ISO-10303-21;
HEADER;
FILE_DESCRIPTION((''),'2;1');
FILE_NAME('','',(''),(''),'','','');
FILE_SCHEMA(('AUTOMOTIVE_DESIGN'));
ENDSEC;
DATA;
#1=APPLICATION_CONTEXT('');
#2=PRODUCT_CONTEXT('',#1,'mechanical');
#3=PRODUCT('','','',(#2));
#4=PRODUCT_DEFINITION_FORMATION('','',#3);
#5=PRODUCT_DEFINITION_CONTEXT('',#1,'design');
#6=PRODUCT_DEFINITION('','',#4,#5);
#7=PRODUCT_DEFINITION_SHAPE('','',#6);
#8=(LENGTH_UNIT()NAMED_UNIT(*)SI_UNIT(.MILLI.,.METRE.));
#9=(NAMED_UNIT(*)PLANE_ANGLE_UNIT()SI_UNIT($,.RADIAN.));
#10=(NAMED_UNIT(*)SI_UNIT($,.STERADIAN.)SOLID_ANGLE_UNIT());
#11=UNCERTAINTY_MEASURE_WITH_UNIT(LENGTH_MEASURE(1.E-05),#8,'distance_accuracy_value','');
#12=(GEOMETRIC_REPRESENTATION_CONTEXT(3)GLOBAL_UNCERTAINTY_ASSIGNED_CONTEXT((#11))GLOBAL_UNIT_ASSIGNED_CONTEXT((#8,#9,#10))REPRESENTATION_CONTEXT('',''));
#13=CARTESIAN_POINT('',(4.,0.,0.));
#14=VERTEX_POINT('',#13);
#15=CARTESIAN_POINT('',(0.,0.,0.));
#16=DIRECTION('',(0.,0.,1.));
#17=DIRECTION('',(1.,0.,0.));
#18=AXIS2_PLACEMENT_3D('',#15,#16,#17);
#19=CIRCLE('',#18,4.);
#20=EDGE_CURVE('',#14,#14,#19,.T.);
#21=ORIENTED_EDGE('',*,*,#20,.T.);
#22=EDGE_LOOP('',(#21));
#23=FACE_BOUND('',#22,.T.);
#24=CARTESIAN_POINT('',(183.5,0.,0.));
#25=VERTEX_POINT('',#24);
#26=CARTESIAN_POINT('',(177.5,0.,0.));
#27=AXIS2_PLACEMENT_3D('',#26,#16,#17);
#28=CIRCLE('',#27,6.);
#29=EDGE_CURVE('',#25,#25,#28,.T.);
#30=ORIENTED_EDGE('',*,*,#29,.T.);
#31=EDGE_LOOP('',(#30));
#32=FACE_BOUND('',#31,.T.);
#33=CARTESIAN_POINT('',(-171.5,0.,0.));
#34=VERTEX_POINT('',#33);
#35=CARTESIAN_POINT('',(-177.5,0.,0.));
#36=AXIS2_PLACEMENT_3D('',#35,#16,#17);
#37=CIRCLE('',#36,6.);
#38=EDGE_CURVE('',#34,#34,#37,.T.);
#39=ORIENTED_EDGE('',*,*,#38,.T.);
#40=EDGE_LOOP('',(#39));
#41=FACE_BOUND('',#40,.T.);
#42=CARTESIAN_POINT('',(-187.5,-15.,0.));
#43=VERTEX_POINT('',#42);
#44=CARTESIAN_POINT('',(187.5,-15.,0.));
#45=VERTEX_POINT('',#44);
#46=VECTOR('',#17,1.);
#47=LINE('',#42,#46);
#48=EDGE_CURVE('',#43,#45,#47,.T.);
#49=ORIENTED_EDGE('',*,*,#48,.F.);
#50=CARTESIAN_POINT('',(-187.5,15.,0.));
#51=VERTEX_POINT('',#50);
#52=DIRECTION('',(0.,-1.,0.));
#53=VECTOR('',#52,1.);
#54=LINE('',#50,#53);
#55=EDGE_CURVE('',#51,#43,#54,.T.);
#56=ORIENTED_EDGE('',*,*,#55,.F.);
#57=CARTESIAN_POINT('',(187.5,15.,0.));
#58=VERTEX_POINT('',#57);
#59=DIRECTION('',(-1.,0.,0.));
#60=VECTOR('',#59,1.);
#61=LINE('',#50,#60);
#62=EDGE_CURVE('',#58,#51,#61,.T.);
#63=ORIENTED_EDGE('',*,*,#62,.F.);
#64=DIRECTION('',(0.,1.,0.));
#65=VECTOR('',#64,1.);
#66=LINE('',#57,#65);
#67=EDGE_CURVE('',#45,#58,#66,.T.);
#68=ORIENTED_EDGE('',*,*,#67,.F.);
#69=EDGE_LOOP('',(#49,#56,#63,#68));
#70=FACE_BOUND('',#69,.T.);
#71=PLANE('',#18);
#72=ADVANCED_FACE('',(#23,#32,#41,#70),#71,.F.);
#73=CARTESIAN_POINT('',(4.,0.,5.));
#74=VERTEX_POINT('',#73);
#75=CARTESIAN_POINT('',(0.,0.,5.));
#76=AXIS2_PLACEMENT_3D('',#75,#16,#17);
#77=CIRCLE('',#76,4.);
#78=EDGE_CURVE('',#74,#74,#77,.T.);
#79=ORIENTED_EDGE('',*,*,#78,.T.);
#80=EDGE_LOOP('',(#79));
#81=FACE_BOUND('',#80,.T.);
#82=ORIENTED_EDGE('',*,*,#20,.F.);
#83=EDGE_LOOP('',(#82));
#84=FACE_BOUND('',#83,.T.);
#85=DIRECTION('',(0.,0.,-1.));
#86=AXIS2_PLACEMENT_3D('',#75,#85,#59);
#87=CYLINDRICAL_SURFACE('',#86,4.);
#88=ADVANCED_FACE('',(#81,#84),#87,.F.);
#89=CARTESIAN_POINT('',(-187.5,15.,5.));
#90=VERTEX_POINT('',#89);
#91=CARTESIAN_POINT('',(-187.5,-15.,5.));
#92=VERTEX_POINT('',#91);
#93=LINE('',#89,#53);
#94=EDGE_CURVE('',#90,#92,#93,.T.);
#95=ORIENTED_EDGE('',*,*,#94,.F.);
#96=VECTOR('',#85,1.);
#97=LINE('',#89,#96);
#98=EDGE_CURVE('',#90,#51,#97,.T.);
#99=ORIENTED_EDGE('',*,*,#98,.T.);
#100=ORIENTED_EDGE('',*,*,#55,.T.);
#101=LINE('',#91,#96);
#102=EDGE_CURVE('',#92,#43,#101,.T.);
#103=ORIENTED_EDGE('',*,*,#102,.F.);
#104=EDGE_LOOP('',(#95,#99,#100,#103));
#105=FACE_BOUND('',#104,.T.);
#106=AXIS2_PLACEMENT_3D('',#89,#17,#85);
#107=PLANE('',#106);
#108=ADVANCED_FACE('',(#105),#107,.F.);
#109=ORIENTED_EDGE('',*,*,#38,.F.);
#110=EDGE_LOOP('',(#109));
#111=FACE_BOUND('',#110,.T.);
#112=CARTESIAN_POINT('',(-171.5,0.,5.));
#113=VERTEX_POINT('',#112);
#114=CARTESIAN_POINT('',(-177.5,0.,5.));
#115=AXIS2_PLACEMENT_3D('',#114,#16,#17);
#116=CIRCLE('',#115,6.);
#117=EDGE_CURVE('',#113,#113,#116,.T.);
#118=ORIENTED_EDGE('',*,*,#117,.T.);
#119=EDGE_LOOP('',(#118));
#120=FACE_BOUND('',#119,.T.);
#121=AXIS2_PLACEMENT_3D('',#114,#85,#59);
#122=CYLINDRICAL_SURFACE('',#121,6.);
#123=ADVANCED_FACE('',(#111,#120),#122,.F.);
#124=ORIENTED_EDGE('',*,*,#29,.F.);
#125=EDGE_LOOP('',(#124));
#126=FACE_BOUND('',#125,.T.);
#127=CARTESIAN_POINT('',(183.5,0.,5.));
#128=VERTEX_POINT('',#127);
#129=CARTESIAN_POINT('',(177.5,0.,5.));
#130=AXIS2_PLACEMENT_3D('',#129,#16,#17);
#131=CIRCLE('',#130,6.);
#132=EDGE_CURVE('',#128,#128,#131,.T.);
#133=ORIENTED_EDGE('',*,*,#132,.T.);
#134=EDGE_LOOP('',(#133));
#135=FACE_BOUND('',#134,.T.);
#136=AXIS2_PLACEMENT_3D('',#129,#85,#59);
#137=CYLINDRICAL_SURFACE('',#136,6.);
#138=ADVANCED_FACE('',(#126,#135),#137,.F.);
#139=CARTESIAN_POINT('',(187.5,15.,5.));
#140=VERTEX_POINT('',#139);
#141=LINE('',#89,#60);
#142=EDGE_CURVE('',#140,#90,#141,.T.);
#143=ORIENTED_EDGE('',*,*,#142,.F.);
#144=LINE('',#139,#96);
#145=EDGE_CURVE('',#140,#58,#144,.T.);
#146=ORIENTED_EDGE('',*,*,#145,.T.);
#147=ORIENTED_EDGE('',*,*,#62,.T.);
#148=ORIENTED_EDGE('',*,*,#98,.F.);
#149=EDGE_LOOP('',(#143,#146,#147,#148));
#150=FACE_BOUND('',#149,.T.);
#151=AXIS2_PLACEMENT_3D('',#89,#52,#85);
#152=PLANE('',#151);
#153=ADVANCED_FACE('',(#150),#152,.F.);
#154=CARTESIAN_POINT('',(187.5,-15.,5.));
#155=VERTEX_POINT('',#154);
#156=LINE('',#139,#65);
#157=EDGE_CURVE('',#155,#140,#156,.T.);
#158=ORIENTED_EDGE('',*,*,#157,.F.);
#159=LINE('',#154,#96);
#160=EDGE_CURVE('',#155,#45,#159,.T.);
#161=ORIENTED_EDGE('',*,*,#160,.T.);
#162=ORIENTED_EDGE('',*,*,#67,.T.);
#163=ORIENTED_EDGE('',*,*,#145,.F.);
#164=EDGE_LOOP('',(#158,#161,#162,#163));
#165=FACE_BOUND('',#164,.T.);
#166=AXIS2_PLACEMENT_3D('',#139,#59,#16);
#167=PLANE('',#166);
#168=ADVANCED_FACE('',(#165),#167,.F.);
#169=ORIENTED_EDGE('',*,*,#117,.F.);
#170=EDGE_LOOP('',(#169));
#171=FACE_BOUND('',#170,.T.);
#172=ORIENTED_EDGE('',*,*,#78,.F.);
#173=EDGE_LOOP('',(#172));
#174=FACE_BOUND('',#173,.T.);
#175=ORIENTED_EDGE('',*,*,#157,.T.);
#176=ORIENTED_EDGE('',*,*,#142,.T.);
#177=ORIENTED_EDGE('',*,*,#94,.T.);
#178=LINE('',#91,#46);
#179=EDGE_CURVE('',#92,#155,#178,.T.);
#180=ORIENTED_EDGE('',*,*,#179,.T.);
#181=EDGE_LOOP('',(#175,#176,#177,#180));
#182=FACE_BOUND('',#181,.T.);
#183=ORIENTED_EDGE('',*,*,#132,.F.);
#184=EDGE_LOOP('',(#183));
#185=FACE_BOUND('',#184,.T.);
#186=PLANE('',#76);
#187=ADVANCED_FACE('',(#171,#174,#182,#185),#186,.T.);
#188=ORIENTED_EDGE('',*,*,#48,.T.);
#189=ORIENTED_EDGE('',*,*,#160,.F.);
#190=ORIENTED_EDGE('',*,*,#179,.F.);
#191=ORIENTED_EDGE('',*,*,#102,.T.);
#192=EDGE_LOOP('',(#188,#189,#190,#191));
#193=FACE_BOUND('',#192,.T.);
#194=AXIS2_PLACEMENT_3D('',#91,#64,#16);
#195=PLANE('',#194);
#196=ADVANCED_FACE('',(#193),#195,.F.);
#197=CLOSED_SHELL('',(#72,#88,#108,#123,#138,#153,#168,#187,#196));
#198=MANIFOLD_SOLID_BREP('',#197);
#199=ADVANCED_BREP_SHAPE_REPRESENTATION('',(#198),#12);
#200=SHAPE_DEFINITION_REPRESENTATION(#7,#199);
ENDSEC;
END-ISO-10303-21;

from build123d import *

# Parameters (mm, degrees)
SKETCH_1_W      = 375
SKETCH_1_H      = 30
SKETCH_1_R      = 4
SKETCH_1_R_2    = 6
EXTRUDE_1_DEPTH = 5


with BuildPart() as part:
    # 草图1 → 凸台-拉伸1 (new body)
    with BuildSketch(Plane.XY):
        Rectangle(SKETCH_1_W, SKETCH_1_H)
        Circle(SKETCH_1_R, mode=Mode.SUBTRACT)
        with Locations((-177.5, 0)):
            Circle(SKETCH_1_R_2, mode=Mode.SUBTRACT)
        with Locations((177.5, 0)):
            Circle(SKETCH_1_R_2, mode=Mode.SUBTRACT)
    extrude(amount=EXTRUDE_1_DEPTH)


solid = part.part
